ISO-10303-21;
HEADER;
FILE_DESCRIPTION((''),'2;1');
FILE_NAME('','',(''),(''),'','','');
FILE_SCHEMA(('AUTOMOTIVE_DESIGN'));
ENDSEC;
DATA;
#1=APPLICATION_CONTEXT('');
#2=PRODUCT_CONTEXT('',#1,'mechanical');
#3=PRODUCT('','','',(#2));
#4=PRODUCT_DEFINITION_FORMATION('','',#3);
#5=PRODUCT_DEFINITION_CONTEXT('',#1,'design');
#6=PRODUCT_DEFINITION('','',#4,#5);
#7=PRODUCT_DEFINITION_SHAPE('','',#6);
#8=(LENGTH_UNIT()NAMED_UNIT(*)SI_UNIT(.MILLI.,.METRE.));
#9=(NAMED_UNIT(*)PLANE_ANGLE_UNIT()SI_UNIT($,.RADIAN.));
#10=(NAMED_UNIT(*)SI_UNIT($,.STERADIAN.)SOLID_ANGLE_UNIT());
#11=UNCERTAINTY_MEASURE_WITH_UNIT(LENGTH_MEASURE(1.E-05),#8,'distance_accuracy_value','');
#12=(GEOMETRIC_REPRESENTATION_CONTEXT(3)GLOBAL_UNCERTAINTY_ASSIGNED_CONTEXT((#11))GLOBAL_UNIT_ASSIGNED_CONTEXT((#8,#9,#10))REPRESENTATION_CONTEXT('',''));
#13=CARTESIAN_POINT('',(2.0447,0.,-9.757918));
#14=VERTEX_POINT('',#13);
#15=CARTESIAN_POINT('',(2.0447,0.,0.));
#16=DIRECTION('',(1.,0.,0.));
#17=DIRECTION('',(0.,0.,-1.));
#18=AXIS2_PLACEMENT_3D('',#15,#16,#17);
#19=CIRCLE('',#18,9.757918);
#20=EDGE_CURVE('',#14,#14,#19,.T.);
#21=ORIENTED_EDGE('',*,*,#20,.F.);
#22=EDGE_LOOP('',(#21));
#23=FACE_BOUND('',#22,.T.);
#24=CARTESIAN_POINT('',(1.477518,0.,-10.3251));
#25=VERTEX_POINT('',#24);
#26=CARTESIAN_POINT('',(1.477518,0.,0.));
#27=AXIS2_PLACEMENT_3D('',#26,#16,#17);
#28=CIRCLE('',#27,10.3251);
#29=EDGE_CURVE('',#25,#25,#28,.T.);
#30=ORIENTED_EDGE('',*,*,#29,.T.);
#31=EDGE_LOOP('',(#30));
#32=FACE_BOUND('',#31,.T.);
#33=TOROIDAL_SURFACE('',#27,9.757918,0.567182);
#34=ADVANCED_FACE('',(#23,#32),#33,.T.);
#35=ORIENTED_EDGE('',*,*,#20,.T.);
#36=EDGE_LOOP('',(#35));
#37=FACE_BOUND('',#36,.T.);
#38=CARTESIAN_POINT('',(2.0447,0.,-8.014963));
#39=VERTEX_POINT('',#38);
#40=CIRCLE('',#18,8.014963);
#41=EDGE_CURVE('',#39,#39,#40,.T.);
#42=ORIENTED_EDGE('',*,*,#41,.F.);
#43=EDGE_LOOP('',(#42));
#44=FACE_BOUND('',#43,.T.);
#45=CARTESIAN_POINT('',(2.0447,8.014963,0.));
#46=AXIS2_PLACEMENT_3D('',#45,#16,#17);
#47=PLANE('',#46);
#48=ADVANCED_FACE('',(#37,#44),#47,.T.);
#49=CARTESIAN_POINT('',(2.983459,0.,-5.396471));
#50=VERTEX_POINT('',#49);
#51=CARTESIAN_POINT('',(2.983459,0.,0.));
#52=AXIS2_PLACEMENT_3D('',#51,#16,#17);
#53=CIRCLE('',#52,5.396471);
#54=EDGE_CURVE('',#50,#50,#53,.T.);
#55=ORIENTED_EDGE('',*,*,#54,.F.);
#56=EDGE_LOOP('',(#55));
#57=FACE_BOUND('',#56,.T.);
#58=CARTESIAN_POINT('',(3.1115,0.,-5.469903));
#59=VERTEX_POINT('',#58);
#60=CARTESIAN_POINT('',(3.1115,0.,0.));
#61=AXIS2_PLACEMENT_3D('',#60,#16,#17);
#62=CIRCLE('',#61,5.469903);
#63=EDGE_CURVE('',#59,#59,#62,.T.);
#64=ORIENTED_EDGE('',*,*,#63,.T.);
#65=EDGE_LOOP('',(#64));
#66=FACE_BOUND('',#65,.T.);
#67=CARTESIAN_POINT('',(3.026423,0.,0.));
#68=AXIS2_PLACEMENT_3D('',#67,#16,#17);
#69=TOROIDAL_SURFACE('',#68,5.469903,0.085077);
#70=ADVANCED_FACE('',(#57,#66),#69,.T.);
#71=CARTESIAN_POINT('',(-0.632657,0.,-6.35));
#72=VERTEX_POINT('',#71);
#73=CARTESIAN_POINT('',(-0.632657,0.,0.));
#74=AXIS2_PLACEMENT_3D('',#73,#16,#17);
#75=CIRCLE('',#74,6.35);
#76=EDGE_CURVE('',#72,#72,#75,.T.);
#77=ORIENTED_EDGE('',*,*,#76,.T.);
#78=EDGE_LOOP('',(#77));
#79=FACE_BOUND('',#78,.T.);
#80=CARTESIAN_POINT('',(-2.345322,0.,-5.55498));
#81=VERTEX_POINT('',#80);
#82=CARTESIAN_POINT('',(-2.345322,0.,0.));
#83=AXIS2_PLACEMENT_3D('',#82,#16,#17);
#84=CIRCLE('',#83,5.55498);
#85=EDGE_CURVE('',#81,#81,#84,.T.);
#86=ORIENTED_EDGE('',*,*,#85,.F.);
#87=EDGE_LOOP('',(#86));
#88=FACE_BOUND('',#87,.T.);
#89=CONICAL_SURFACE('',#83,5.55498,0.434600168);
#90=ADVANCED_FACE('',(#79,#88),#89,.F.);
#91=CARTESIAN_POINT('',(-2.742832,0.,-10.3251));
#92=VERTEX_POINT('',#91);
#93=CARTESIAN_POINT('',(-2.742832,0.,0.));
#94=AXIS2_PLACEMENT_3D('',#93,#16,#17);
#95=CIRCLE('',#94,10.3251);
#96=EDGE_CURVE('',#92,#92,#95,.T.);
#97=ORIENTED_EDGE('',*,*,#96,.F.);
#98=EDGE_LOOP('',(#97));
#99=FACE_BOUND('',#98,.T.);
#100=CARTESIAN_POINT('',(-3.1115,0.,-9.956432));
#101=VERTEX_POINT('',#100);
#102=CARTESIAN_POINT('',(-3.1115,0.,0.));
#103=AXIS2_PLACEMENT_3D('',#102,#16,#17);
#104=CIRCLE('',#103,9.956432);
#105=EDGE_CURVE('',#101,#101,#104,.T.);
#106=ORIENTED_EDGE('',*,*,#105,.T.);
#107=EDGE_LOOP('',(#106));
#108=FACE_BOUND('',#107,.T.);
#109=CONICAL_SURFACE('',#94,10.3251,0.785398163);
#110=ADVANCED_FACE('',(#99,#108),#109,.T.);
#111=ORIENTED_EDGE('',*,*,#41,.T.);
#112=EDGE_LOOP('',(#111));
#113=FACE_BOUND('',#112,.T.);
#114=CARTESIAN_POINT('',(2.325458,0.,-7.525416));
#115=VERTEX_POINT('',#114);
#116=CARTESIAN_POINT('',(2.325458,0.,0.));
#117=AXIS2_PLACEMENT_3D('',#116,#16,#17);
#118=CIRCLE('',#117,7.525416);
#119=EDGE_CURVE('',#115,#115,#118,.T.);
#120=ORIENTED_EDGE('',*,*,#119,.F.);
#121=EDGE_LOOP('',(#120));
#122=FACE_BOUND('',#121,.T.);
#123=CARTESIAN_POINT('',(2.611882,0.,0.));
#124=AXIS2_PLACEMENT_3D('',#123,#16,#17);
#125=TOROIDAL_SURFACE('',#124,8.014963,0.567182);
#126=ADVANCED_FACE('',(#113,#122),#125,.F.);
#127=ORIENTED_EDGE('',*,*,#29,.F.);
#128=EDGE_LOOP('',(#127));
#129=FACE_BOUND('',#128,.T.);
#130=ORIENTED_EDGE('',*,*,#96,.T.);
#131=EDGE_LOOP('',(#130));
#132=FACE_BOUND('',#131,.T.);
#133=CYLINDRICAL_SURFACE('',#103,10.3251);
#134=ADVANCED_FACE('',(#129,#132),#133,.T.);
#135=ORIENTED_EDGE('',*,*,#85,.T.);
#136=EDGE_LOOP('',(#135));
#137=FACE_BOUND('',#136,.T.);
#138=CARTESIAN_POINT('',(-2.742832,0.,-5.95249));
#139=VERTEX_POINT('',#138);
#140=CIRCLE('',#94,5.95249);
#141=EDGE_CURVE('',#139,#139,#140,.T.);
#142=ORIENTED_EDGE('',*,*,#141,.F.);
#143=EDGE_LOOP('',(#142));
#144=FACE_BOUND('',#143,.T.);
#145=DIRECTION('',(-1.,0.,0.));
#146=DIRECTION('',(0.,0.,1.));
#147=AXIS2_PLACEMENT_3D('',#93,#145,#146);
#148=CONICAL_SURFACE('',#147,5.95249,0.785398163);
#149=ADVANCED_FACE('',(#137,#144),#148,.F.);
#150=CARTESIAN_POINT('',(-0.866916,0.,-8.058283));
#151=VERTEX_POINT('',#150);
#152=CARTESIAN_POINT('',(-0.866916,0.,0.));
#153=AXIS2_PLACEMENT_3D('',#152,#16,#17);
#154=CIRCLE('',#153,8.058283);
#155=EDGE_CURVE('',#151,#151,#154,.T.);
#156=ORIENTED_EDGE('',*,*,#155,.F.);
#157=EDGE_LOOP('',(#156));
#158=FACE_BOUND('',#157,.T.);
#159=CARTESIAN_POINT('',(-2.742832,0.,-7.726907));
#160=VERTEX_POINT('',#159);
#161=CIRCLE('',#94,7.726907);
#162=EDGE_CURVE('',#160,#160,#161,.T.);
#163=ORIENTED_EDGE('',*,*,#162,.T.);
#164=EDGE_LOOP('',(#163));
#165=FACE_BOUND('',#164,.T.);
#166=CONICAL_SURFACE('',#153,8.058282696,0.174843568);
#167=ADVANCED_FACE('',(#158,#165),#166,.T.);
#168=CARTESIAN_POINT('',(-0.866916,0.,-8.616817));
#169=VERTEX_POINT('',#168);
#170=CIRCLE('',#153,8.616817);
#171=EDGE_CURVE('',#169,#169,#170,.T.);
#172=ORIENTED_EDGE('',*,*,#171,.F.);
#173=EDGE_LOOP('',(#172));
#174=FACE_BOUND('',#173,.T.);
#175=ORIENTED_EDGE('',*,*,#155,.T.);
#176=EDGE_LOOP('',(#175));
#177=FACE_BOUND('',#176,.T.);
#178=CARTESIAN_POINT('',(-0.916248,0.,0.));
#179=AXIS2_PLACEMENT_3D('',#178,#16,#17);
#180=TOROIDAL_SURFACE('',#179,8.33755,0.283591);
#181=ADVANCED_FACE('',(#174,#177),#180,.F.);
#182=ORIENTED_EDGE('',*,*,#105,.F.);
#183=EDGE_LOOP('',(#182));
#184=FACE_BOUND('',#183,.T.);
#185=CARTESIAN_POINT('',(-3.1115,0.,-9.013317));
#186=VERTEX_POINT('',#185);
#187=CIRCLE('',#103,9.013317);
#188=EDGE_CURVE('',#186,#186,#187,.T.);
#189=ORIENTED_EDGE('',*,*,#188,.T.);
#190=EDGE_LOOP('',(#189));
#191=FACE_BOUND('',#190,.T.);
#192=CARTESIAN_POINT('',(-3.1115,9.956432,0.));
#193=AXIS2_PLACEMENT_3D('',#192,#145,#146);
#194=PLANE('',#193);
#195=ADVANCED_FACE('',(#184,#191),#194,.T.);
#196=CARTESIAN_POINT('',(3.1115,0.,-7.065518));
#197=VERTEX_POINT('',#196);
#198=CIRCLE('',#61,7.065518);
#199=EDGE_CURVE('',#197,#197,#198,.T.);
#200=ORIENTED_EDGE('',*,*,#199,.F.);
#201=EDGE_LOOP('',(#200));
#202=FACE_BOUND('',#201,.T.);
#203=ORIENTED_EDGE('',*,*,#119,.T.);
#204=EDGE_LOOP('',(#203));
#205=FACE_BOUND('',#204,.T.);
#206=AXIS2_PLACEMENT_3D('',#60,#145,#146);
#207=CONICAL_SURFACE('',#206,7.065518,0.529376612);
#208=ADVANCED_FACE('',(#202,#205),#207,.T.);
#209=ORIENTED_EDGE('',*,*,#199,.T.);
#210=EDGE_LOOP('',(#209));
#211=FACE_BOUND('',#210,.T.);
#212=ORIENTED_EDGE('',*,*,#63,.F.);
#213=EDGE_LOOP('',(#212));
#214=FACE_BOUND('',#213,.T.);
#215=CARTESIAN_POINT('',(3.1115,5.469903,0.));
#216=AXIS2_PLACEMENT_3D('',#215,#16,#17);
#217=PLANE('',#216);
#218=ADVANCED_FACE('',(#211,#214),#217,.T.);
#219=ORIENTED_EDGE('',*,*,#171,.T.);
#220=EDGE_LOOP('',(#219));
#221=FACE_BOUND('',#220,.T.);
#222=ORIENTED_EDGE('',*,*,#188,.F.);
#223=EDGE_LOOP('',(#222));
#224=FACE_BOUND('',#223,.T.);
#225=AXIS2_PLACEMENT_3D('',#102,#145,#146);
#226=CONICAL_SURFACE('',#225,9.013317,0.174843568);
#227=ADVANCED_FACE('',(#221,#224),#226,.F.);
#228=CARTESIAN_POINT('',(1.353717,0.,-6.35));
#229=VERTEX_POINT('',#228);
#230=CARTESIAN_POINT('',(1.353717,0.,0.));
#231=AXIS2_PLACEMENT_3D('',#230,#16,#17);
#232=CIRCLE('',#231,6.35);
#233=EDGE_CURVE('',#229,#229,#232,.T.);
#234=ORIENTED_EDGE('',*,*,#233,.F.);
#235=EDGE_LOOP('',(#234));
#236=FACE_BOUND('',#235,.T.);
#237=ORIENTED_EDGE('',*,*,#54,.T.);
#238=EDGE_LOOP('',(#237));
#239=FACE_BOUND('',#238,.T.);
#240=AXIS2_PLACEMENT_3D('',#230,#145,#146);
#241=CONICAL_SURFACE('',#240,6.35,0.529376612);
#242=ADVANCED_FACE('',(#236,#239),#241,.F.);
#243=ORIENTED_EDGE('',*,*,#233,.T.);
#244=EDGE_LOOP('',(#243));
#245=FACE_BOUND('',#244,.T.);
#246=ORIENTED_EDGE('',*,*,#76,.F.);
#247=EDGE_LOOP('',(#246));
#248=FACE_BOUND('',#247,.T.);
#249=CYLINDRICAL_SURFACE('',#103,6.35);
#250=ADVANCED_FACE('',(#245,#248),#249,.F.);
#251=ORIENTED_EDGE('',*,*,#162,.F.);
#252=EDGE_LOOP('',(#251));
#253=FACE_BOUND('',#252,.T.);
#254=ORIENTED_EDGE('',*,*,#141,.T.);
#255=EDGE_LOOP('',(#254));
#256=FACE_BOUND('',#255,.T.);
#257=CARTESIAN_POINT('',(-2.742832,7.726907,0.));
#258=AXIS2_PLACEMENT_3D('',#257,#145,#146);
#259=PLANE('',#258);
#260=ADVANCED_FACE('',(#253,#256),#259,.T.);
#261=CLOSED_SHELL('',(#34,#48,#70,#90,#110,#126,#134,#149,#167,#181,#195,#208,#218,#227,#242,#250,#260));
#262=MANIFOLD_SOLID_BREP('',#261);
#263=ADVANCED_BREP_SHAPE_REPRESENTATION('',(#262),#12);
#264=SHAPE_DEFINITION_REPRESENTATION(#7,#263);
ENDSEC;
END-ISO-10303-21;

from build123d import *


with BuildPart() as part:
    # Sketch1 → Revolve1 (revolve)
    with BuildSketch(Plane.XY, mode=Mode.PRIVATE) as revolve1_sk:
        with BuildLine():
            Line((-2.3453217, 5.55498), (-0.63265685, 6.35))
            Line((-0.63265685, 6.35), (1.353716934, 6.35))
            Line((1.353716934, 6.35), (2.983459057, 5.396470607))
            ThreePointArc((2.983459057, 5.396470607), (3.06874832, 5.396101014), (3.1115, 5.4699027))
            Line((3.1115, 5.4699027), (3.1115, 7.065518))
            Line((3.1115, 7.065518), (2.325457711, 7.525415561))
            ThreePointArc((2.325457711, 7.525415561), (2.119870759, 7.73279205), (2.0447, 8.01496285))
            Line((2.0447, 8.01496285), (2.0447, 9.757918))
            ThreePointArc((2.0447, 9.757918), (1.878576238, 10.158976238), (1.477518, 10.3251))
            Line((1.477518, 10.3251), (-2.7428317, 10.3251))
            Line((-2.7428317, 10.3251), (-3.1115, 9.9564317))
            Line((-3.1115, 9.9564317), (-3.1115, 9.013317))
            Line((-3.1115, 9.013317), (-0.866916035, 8.616817304))
            ThreePointArc((-0.866916035, 8.616817304), (-0.63265685, 8.33755), (-0.866916035, 8.058282696))
            Line((-0.866916035, 8.058282696), (-2.7428317, 7.72690726))
            Line((-2.7428317, 7.72690726), (-2.7428317, 5.95249))
            Line((-2.7428317, 5.95249), (-2.3453217, 5.55498))
        make_face()
    revolve(revolve1_sk.sketch.rotate(Axis((-3.1115, 0, 0), (1, 0, 0)), 270), axis=Axis((-3.1115, 0, 0), (1, 0, 0)))


solid = part.part
